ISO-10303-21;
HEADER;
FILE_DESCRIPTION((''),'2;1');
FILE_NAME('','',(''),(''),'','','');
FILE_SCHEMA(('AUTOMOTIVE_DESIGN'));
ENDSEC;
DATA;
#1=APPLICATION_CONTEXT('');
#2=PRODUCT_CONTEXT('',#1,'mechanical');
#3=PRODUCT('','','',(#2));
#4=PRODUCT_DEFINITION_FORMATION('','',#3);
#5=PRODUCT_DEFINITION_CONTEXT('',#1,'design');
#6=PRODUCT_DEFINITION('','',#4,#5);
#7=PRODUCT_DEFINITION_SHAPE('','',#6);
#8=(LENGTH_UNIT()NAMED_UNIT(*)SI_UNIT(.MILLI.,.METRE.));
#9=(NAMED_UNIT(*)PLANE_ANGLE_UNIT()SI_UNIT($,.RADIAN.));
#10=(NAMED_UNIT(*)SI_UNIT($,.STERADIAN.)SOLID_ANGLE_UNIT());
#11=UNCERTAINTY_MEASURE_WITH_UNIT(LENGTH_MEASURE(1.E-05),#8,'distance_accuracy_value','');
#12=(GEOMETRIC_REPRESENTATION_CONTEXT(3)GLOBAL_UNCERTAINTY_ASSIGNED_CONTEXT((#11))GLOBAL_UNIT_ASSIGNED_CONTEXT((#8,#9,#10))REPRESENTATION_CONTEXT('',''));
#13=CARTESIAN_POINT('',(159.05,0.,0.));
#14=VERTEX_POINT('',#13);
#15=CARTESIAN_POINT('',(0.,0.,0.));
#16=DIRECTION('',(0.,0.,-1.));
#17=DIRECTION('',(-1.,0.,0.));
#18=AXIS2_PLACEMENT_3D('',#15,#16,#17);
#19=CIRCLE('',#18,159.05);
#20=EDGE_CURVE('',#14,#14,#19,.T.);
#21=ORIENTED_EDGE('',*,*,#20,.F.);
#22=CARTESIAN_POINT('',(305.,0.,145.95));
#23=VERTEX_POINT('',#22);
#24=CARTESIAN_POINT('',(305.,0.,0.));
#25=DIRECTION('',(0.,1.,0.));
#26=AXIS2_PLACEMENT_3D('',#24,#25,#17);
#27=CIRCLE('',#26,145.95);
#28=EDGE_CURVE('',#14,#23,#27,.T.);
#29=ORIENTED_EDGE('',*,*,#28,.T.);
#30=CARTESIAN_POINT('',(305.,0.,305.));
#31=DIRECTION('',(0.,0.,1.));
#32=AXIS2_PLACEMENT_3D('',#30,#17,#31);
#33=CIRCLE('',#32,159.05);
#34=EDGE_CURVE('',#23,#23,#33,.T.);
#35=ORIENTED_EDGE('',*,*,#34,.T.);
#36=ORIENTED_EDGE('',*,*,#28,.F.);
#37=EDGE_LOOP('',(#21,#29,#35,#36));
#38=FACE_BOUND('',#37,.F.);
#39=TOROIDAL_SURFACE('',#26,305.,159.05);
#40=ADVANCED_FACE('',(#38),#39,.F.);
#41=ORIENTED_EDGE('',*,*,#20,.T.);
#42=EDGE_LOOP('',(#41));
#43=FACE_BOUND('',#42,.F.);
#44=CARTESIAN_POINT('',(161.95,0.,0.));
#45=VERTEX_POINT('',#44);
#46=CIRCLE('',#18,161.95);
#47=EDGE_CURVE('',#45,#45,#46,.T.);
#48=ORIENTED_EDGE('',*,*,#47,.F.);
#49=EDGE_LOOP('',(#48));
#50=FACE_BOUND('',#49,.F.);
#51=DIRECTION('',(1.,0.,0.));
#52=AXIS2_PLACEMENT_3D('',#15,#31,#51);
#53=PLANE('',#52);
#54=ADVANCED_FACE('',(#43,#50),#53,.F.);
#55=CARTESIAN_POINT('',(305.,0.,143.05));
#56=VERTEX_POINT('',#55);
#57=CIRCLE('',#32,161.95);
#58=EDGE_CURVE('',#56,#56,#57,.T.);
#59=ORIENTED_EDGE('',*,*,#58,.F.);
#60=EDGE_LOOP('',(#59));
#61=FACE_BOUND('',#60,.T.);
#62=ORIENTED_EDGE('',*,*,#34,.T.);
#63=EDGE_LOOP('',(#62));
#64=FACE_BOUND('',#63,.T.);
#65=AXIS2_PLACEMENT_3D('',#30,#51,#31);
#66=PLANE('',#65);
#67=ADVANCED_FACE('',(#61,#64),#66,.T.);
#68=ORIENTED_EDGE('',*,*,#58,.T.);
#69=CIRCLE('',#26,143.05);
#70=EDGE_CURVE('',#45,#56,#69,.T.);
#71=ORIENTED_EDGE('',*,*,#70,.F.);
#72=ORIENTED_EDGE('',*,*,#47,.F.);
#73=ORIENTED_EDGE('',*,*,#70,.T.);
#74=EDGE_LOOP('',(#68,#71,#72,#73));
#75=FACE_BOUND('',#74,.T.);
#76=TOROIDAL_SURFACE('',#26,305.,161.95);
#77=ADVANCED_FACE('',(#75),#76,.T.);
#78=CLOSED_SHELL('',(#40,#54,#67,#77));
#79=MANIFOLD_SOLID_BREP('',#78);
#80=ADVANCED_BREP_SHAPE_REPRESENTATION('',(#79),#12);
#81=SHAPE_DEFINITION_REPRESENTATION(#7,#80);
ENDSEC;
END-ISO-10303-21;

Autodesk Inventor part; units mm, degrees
ref_plane "YZ Plane" through (0, 0, 0) normal (1, 0, 0) x (0, 1, 0)
ref_plane "XZ Plane" through (0, 0, 0) normal (0, 1, 0) x (-1, 0, 0)
ref_plane "XY Plane" through (0, 0, 0) normal (0, 0, 1) x (1, 0, 0)
sketch "Sketch1" plane through (0, 0, 0) normal (0, 0, 1) x (1, 0, 0)
  circle A0 centre (0, 0) radius 159.05
  circle A1 centre (0, 0) radius 161.95
  dimension "d0" = 318.1
  dimension "d1" = 323.9
sketch "Sketch2" plane through (0, 0, 0) normal (0, 1, 0) x (-1, 0, 0)
  line L0 (0, 0) -> (0, 305) construction
  line L1 (0, 305) -> (-305, 305) construction
  arc A0 (0, 0) -> (-305, 305) centre (-305, 0) ccw
  dimension "d2" = 305
  dimension "d3" = 305
sweep "Sweep1" add profiles "Sketch1" path "Sketch2"
equation "\"d0\" = -2 * s1 + da"
equation "\"d1\" = da"
equation "\"d2\" = r"
equation "\"d3\" = r"
equation "\"da\" = 323.9"
equation "\"r\" = 305"
equation "\"s1\" = 2.9"
equation "\"Size_Designation\" = 1.2345"
properties part number "DIN 2605 Колено 90 градусов, тип 2 323.9 - 2.9S" material "Сталь"
